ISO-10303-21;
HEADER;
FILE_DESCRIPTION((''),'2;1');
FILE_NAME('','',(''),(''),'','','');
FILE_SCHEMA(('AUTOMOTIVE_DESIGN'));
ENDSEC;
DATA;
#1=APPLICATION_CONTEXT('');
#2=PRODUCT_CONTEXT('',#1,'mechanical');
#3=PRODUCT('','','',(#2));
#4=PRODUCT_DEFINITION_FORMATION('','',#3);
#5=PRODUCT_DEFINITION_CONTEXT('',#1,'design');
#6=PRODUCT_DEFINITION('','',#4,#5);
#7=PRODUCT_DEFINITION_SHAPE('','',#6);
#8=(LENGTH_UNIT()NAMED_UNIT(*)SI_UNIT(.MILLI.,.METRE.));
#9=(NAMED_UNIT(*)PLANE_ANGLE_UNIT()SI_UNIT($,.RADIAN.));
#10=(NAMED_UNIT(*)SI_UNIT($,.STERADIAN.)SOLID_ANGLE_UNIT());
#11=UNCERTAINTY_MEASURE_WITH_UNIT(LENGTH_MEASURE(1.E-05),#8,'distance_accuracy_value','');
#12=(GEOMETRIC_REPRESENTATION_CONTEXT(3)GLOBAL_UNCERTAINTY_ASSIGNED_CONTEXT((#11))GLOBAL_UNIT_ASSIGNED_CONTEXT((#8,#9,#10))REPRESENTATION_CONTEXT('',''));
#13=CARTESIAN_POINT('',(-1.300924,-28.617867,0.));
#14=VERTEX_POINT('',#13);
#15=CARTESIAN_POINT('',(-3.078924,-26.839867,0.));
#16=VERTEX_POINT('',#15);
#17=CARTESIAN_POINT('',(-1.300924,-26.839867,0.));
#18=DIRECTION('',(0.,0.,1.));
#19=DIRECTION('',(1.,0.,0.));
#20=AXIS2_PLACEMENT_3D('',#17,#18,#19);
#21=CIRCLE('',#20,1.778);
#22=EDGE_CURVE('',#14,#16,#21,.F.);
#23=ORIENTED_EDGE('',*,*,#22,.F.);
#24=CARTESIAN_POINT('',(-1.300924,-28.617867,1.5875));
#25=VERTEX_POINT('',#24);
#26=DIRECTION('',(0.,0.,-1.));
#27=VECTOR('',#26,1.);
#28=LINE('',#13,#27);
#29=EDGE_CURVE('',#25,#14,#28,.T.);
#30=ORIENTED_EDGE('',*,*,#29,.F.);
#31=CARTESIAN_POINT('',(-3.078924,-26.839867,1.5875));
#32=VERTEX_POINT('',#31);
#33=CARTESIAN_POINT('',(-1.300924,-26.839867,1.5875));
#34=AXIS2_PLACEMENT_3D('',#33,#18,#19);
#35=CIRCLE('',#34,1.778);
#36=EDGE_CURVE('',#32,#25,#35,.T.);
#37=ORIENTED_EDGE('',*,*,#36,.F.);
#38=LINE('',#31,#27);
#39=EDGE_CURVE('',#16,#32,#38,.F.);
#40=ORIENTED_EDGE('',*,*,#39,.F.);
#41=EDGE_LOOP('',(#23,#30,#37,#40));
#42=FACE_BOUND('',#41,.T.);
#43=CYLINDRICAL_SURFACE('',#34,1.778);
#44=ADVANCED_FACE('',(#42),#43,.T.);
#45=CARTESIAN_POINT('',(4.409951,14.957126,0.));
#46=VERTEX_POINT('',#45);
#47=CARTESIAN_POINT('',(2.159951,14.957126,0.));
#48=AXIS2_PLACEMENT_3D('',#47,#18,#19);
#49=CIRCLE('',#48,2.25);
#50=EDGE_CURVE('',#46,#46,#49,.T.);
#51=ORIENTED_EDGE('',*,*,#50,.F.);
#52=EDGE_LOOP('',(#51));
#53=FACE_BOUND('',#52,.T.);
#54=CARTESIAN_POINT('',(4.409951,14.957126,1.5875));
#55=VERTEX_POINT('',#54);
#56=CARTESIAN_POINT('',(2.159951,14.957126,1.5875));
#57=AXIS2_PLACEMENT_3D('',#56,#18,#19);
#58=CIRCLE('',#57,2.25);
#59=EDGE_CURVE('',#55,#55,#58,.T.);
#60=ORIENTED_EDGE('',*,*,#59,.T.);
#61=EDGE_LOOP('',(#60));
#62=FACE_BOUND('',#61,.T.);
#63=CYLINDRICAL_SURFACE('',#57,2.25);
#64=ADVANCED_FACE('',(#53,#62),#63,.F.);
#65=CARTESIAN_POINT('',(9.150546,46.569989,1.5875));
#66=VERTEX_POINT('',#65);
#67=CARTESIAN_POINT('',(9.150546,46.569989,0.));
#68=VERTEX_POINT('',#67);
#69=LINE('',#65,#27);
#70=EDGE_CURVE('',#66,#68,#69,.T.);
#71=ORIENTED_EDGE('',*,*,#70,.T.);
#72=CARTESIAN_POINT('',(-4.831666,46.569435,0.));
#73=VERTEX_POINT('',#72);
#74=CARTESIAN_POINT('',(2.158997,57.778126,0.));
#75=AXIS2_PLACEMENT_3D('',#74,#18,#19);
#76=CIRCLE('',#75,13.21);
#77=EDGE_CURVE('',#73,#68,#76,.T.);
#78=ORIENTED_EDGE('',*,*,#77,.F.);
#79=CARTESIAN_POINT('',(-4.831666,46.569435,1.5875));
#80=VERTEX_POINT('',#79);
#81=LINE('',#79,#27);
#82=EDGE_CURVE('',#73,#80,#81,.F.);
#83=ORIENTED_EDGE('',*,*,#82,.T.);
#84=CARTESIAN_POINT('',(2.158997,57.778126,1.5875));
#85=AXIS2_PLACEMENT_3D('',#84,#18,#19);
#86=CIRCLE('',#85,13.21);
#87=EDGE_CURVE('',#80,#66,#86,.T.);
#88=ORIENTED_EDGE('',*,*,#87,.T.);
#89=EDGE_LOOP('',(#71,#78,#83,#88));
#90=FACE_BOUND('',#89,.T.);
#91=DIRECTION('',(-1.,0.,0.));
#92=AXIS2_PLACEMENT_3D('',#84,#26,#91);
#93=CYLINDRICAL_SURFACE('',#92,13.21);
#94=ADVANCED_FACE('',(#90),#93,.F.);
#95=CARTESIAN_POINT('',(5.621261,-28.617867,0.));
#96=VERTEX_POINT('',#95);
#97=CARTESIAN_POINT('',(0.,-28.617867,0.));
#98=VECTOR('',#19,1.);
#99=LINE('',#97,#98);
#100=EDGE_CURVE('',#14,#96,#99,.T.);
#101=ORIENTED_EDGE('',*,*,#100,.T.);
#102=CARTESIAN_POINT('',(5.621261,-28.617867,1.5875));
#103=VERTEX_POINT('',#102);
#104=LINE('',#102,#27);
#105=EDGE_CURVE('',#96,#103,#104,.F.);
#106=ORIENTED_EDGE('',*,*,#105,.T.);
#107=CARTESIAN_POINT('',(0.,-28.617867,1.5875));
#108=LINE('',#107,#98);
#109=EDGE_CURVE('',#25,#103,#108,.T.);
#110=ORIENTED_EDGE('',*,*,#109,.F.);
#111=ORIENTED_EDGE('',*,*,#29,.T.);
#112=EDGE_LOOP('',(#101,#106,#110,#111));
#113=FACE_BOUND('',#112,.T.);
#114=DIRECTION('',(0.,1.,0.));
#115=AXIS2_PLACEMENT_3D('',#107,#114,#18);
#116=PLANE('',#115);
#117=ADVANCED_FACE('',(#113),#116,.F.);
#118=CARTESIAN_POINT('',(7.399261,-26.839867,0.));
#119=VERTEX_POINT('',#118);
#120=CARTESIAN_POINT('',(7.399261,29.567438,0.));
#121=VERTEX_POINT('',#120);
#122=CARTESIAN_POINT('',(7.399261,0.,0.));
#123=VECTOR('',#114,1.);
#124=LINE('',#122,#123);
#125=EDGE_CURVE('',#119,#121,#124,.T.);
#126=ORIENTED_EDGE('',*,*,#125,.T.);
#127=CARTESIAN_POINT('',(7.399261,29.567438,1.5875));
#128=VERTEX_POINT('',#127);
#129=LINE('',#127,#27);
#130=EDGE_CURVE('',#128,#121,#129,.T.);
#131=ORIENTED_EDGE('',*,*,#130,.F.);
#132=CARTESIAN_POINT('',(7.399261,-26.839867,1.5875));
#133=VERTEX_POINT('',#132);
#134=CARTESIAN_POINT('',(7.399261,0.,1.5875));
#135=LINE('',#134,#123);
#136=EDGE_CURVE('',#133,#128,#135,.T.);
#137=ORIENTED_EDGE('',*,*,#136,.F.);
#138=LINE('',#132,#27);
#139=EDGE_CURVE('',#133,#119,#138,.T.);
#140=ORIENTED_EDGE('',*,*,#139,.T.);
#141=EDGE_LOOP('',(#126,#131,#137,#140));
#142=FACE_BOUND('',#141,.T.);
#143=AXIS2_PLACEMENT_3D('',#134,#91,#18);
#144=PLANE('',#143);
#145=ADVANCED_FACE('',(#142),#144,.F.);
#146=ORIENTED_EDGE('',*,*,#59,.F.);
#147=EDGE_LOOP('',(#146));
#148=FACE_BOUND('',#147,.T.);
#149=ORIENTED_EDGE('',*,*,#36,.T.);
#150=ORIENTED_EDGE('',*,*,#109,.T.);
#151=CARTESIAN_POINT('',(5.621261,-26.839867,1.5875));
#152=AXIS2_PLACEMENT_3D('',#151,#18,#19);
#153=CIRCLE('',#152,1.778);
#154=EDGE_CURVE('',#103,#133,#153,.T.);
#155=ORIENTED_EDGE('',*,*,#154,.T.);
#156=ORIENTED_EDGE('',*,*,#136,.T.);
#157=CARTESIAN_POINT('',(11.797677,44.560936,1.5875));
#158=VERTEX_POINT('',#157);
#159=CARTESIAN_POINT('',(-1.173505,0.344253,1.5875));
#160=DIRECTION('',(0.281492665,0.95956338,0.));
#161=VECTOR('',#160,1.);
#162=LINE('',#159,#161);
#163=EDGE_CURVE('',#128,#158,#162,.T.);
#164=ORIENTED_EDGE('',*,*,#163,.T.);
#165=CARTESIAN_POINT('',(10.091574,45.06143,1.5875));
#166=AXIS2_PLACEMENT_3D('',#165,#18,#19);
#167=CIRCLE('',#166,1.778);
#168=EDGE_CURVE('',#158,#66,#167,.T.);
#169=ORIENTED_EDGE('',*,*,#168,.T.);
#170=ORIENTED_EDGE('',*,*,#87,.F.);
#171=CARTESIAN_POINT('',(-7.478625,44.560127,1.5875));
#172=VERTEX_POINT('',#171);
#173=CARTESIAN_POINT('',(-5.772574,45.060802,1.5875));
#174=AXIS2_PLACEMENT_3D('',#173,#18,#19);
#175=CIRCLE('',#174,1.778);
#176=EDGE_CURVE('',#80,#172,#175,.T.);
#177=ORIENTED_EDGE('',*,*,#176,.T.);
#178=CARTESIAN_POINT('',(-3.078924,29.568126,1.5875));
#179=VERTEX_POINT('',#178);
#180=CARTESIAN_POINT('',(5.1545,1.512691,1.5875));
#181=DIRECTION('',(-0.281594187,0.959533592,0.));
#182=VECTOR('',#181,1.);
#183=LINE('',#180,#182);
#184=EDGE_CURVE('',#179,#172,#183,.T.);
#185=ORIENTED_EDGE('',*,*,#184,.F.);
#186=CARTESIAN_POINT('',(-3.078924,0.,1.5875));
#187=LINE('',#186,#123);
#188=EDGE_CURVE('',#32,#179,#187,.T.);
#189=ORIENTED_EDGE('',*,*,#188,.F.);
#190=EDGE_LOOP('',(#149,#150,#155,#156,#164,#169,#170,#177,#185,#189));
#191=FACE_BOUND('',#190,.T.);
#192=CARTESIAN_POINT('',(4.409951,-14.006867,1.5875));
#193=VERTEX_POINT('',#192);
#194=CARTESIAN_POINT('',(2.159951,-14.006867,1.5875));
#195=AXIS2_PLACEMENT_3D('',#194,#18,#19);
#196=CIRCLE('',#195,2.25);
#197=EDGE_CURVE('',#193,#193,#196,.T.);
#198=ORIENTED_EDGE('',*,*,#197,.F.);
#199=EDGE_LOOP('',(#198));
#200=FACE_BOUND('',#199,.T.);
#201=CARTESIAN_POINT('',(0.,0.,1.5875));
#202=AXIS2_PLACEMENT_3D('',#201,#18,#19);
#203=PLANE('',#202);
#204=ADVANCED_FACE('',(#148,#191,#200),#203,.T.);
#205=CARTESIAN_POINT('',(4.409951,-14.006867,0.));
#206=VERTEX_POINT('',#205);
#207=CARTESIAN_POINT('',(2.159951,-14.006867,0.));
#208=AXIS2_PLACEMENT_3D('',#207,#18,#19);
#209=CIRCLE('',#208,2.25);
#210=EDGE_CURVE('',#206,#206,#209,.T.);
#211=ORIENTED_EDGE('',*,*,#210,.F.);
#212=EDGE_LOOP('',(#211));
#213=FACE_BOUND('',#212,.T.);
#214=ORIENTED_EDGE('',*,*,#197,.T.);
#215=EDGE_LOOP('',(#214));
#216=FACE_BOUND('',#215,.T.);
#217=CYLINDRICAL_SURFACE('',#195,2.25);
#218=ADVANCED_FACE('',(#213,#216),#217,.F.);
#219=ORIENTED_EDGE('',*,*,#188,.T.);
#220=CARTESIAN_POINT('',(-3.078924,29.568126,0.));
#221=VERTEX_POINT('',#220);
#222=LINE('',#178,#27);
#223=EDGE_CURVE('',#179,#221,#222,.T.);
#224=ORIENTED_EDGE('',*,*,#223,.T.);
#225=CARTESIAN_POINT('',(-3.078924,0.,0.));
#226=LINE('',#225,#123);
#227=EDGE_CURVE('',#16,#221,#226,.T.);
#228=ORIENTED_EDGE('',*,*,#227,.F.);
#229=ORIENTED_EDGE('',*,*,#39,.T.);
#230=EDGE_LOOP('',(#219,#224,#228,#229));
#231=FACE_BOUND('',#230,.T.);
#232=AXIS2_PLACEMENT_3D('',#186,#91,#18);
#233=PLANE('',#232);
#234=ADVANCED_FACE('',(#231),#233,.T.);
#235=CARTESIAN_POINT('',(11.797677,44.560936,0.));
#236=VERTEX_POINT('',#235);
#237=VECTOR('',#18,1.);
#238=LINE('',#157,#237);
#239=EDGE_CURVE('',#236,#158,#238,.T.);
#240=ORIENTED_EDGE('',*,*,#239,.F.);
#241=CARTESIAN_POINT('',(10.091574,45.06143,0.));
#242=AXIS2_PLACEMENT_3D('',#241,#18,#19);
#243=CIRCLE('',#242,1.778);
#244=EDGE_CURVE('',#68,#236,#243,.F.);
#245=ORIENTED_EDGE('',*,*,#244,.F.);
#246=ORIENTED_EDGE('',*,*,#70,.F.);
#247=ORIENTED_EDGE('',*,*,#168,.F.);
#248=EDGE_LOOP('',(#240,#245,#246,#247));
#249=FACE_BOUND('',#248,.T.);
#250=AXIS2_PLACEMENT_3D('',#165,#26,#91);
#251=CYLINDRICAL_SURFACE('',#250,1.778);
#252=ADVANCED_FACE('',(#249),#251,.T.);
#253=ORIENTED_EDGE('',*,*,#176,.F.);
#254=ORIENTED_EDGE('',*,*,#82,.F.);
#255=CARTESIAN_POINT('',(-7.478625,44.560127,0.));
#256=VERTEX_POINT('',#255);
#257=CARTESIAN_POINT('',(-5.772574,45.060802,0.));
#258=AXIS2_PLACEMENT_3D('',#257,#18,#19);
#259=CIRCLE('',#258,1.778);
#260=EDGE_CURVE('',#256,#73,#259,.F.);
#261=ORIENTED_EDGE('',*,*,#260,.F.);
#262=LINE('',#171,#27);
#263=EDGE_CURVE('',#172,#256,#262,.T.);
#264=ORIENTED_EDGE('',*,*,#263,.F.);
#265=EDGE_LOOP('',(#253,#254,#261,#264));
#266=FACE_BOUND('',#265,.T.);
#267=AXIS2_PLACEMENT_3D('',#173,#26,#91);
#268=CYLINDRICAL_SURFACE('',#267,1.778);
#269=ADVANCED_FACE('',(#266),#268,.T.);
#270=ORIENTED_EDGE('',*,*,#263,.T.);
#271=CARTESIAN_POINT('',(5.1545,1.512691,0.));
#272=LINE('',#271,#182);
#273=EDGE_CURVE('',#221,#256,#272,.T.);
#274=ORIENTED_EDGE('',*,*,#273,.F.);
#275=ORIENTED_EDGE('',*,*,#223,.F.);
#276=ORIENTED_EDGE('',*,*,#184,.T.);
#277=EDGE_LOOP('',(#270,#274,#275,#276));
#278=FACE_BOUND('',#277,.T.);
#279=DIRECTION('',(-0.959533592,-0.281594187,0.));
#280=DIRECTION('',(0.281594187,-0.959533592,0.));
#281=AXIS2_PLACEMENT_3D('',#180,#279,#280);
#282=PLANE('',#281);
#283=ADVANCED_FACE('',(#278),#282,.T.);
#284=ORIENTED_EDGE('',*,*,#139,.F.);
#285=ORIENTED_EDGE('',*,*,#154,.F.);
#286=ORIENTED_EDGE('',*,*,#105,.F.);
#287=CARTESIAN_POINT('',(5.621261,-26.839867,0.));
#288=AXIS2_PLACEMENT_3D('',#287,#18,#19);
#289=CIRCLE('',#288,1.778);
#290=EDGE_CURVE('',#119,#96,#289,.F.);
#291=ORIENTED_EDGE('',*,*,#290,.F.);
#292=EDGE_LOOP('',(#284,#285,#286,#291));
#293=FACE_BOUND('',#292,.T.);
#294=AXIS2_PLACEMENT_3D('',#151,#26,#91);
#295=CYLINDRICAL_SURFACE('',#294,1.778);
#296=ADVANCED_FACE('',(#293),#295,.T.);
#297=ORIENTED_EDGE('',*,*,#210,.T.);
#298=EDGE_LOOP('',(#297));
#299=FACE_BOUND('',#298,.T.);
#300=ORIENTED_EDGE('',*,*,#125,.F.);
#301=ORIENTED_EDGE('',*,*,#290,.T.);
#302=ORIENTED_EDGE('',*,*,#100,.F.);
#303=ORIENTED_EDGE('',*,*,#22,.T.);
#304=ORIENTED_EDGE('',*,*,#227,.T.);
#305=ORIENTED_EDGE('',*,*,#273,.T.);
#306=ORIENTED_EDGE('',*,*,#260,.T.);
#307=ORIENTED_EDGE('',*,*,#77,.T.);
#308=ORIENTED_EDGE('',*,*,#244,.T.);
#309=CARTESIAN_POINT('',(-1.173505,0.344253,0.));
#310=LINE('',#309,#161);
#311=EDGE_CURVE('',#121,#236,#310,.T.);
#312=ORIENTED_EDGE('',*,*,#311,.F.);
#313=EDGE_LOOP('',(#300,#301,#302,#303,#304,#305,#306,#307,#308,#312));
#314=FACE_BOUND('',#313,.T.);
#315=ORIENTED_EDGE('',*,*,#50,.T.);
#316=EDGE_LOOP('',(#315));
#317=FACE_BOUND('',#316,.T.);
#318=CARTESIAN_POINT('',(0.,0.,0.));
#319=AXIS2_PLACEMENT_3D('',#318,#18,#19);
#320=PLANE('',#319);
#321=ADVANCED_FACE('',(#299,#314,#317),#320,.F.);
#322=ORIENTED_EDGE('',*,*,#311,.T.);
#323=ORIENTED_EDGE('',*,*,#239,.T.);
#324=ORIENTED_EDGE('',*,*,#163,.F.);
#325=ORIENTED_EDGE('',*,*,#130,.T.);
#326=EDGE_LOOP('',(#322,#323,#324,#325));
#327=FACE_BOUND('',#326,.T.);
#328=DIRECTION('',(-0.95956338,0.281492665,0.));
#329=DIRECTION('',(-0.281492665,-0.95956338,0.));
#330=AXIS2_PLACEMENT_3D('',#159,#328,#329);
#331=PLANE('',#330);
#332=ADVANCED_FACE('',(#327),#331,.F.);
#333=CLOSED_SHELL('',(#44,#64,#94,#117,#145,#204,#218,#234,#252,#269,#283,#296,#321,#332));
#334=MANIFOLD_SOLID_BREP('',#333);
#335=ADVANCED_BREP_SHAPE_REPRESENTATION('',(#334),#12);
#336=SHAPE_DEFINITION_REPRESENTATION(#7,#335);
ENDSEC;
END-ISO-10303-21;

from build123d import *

# Parameters (mm, degrees)
SKETCH1_R            = 2
BOSS_EXTRUDE1_DEPTH  = 1.5875
FILLET2_R            = 1.778
M4_CLEARANCE_HOLE2_D = 4.5


with BuildPart() as part:
    # Sketch1 → Boss-Extrude1 (new body)
    with BuildSketch(Plane.XY):
        with BuildLine():
            Line((-3.078924099, -28.617866551), (2.159951047, -28.617866551))
            Line((2.159951047, -28.617866551), (7.399260817, -28.617866551))
            Line((7.399260817, -28.617866551), (7.399260817, 14.567438128))
            Line((7.399260817, 14.567438128), (7.399260817, 29.567438098))
            Line((7.399260817, 29.567438098), (13.897648784, 51.719401208))
            ThreePointArc((13.897648784, 51.719401208), (2.158996515, 44.568125735), (-9.579655755, 51.719401208))
            Line((-9.579655755, 51.719401208), (-3.078924099, 29.568125765))
            Line((-3.078924099, 29.568125765), (-3.078924099, -28.617866551))
        make_face()
        with BuildLine():
            ThreePointArc((4.159951047, -14.006866551), (3.574164609, -15.421080114), (2.159951047, -16.006866551))
            ThreePointArc((2.159951047, -16.006866551), (0.745737485, -12.592652989), (4.159951047, -14.006866551))
        make_face(mode=Mode.SUBTRACT)
        with Locations((2.159951047, 14.957125769)):
            Circle(SKETCH1_R, mode=Mode.SUBTRACT)
    extrude(amount=BOSS_EXTRUDE1_DEPTH)

    # Fillet2
    fillet2_edges = [part.edges().sort_by_distance(p)[0] for p in [
        (-9.579655755, 51.719401208, 0.79375),
        (13.897648784, 51.719401208, 0.79375),
        (7.399260817, -28.617866551, 0.79375),
        (-3.078924099, -28.617866551, 0.79375),
    ]]
    fillet(fillet2_edges, radius=FILLET2_R)

    # M4 Clearance Hole2 (through all)
    with Locations(Plane.XY.offset(1.5875)):
        with Locations((2.159951047, 14.957125769), (2.159951047, -14.006866551)):
            Hole(M4_CLEARANCE_HOLE2_D / 2)


solid = part.part
